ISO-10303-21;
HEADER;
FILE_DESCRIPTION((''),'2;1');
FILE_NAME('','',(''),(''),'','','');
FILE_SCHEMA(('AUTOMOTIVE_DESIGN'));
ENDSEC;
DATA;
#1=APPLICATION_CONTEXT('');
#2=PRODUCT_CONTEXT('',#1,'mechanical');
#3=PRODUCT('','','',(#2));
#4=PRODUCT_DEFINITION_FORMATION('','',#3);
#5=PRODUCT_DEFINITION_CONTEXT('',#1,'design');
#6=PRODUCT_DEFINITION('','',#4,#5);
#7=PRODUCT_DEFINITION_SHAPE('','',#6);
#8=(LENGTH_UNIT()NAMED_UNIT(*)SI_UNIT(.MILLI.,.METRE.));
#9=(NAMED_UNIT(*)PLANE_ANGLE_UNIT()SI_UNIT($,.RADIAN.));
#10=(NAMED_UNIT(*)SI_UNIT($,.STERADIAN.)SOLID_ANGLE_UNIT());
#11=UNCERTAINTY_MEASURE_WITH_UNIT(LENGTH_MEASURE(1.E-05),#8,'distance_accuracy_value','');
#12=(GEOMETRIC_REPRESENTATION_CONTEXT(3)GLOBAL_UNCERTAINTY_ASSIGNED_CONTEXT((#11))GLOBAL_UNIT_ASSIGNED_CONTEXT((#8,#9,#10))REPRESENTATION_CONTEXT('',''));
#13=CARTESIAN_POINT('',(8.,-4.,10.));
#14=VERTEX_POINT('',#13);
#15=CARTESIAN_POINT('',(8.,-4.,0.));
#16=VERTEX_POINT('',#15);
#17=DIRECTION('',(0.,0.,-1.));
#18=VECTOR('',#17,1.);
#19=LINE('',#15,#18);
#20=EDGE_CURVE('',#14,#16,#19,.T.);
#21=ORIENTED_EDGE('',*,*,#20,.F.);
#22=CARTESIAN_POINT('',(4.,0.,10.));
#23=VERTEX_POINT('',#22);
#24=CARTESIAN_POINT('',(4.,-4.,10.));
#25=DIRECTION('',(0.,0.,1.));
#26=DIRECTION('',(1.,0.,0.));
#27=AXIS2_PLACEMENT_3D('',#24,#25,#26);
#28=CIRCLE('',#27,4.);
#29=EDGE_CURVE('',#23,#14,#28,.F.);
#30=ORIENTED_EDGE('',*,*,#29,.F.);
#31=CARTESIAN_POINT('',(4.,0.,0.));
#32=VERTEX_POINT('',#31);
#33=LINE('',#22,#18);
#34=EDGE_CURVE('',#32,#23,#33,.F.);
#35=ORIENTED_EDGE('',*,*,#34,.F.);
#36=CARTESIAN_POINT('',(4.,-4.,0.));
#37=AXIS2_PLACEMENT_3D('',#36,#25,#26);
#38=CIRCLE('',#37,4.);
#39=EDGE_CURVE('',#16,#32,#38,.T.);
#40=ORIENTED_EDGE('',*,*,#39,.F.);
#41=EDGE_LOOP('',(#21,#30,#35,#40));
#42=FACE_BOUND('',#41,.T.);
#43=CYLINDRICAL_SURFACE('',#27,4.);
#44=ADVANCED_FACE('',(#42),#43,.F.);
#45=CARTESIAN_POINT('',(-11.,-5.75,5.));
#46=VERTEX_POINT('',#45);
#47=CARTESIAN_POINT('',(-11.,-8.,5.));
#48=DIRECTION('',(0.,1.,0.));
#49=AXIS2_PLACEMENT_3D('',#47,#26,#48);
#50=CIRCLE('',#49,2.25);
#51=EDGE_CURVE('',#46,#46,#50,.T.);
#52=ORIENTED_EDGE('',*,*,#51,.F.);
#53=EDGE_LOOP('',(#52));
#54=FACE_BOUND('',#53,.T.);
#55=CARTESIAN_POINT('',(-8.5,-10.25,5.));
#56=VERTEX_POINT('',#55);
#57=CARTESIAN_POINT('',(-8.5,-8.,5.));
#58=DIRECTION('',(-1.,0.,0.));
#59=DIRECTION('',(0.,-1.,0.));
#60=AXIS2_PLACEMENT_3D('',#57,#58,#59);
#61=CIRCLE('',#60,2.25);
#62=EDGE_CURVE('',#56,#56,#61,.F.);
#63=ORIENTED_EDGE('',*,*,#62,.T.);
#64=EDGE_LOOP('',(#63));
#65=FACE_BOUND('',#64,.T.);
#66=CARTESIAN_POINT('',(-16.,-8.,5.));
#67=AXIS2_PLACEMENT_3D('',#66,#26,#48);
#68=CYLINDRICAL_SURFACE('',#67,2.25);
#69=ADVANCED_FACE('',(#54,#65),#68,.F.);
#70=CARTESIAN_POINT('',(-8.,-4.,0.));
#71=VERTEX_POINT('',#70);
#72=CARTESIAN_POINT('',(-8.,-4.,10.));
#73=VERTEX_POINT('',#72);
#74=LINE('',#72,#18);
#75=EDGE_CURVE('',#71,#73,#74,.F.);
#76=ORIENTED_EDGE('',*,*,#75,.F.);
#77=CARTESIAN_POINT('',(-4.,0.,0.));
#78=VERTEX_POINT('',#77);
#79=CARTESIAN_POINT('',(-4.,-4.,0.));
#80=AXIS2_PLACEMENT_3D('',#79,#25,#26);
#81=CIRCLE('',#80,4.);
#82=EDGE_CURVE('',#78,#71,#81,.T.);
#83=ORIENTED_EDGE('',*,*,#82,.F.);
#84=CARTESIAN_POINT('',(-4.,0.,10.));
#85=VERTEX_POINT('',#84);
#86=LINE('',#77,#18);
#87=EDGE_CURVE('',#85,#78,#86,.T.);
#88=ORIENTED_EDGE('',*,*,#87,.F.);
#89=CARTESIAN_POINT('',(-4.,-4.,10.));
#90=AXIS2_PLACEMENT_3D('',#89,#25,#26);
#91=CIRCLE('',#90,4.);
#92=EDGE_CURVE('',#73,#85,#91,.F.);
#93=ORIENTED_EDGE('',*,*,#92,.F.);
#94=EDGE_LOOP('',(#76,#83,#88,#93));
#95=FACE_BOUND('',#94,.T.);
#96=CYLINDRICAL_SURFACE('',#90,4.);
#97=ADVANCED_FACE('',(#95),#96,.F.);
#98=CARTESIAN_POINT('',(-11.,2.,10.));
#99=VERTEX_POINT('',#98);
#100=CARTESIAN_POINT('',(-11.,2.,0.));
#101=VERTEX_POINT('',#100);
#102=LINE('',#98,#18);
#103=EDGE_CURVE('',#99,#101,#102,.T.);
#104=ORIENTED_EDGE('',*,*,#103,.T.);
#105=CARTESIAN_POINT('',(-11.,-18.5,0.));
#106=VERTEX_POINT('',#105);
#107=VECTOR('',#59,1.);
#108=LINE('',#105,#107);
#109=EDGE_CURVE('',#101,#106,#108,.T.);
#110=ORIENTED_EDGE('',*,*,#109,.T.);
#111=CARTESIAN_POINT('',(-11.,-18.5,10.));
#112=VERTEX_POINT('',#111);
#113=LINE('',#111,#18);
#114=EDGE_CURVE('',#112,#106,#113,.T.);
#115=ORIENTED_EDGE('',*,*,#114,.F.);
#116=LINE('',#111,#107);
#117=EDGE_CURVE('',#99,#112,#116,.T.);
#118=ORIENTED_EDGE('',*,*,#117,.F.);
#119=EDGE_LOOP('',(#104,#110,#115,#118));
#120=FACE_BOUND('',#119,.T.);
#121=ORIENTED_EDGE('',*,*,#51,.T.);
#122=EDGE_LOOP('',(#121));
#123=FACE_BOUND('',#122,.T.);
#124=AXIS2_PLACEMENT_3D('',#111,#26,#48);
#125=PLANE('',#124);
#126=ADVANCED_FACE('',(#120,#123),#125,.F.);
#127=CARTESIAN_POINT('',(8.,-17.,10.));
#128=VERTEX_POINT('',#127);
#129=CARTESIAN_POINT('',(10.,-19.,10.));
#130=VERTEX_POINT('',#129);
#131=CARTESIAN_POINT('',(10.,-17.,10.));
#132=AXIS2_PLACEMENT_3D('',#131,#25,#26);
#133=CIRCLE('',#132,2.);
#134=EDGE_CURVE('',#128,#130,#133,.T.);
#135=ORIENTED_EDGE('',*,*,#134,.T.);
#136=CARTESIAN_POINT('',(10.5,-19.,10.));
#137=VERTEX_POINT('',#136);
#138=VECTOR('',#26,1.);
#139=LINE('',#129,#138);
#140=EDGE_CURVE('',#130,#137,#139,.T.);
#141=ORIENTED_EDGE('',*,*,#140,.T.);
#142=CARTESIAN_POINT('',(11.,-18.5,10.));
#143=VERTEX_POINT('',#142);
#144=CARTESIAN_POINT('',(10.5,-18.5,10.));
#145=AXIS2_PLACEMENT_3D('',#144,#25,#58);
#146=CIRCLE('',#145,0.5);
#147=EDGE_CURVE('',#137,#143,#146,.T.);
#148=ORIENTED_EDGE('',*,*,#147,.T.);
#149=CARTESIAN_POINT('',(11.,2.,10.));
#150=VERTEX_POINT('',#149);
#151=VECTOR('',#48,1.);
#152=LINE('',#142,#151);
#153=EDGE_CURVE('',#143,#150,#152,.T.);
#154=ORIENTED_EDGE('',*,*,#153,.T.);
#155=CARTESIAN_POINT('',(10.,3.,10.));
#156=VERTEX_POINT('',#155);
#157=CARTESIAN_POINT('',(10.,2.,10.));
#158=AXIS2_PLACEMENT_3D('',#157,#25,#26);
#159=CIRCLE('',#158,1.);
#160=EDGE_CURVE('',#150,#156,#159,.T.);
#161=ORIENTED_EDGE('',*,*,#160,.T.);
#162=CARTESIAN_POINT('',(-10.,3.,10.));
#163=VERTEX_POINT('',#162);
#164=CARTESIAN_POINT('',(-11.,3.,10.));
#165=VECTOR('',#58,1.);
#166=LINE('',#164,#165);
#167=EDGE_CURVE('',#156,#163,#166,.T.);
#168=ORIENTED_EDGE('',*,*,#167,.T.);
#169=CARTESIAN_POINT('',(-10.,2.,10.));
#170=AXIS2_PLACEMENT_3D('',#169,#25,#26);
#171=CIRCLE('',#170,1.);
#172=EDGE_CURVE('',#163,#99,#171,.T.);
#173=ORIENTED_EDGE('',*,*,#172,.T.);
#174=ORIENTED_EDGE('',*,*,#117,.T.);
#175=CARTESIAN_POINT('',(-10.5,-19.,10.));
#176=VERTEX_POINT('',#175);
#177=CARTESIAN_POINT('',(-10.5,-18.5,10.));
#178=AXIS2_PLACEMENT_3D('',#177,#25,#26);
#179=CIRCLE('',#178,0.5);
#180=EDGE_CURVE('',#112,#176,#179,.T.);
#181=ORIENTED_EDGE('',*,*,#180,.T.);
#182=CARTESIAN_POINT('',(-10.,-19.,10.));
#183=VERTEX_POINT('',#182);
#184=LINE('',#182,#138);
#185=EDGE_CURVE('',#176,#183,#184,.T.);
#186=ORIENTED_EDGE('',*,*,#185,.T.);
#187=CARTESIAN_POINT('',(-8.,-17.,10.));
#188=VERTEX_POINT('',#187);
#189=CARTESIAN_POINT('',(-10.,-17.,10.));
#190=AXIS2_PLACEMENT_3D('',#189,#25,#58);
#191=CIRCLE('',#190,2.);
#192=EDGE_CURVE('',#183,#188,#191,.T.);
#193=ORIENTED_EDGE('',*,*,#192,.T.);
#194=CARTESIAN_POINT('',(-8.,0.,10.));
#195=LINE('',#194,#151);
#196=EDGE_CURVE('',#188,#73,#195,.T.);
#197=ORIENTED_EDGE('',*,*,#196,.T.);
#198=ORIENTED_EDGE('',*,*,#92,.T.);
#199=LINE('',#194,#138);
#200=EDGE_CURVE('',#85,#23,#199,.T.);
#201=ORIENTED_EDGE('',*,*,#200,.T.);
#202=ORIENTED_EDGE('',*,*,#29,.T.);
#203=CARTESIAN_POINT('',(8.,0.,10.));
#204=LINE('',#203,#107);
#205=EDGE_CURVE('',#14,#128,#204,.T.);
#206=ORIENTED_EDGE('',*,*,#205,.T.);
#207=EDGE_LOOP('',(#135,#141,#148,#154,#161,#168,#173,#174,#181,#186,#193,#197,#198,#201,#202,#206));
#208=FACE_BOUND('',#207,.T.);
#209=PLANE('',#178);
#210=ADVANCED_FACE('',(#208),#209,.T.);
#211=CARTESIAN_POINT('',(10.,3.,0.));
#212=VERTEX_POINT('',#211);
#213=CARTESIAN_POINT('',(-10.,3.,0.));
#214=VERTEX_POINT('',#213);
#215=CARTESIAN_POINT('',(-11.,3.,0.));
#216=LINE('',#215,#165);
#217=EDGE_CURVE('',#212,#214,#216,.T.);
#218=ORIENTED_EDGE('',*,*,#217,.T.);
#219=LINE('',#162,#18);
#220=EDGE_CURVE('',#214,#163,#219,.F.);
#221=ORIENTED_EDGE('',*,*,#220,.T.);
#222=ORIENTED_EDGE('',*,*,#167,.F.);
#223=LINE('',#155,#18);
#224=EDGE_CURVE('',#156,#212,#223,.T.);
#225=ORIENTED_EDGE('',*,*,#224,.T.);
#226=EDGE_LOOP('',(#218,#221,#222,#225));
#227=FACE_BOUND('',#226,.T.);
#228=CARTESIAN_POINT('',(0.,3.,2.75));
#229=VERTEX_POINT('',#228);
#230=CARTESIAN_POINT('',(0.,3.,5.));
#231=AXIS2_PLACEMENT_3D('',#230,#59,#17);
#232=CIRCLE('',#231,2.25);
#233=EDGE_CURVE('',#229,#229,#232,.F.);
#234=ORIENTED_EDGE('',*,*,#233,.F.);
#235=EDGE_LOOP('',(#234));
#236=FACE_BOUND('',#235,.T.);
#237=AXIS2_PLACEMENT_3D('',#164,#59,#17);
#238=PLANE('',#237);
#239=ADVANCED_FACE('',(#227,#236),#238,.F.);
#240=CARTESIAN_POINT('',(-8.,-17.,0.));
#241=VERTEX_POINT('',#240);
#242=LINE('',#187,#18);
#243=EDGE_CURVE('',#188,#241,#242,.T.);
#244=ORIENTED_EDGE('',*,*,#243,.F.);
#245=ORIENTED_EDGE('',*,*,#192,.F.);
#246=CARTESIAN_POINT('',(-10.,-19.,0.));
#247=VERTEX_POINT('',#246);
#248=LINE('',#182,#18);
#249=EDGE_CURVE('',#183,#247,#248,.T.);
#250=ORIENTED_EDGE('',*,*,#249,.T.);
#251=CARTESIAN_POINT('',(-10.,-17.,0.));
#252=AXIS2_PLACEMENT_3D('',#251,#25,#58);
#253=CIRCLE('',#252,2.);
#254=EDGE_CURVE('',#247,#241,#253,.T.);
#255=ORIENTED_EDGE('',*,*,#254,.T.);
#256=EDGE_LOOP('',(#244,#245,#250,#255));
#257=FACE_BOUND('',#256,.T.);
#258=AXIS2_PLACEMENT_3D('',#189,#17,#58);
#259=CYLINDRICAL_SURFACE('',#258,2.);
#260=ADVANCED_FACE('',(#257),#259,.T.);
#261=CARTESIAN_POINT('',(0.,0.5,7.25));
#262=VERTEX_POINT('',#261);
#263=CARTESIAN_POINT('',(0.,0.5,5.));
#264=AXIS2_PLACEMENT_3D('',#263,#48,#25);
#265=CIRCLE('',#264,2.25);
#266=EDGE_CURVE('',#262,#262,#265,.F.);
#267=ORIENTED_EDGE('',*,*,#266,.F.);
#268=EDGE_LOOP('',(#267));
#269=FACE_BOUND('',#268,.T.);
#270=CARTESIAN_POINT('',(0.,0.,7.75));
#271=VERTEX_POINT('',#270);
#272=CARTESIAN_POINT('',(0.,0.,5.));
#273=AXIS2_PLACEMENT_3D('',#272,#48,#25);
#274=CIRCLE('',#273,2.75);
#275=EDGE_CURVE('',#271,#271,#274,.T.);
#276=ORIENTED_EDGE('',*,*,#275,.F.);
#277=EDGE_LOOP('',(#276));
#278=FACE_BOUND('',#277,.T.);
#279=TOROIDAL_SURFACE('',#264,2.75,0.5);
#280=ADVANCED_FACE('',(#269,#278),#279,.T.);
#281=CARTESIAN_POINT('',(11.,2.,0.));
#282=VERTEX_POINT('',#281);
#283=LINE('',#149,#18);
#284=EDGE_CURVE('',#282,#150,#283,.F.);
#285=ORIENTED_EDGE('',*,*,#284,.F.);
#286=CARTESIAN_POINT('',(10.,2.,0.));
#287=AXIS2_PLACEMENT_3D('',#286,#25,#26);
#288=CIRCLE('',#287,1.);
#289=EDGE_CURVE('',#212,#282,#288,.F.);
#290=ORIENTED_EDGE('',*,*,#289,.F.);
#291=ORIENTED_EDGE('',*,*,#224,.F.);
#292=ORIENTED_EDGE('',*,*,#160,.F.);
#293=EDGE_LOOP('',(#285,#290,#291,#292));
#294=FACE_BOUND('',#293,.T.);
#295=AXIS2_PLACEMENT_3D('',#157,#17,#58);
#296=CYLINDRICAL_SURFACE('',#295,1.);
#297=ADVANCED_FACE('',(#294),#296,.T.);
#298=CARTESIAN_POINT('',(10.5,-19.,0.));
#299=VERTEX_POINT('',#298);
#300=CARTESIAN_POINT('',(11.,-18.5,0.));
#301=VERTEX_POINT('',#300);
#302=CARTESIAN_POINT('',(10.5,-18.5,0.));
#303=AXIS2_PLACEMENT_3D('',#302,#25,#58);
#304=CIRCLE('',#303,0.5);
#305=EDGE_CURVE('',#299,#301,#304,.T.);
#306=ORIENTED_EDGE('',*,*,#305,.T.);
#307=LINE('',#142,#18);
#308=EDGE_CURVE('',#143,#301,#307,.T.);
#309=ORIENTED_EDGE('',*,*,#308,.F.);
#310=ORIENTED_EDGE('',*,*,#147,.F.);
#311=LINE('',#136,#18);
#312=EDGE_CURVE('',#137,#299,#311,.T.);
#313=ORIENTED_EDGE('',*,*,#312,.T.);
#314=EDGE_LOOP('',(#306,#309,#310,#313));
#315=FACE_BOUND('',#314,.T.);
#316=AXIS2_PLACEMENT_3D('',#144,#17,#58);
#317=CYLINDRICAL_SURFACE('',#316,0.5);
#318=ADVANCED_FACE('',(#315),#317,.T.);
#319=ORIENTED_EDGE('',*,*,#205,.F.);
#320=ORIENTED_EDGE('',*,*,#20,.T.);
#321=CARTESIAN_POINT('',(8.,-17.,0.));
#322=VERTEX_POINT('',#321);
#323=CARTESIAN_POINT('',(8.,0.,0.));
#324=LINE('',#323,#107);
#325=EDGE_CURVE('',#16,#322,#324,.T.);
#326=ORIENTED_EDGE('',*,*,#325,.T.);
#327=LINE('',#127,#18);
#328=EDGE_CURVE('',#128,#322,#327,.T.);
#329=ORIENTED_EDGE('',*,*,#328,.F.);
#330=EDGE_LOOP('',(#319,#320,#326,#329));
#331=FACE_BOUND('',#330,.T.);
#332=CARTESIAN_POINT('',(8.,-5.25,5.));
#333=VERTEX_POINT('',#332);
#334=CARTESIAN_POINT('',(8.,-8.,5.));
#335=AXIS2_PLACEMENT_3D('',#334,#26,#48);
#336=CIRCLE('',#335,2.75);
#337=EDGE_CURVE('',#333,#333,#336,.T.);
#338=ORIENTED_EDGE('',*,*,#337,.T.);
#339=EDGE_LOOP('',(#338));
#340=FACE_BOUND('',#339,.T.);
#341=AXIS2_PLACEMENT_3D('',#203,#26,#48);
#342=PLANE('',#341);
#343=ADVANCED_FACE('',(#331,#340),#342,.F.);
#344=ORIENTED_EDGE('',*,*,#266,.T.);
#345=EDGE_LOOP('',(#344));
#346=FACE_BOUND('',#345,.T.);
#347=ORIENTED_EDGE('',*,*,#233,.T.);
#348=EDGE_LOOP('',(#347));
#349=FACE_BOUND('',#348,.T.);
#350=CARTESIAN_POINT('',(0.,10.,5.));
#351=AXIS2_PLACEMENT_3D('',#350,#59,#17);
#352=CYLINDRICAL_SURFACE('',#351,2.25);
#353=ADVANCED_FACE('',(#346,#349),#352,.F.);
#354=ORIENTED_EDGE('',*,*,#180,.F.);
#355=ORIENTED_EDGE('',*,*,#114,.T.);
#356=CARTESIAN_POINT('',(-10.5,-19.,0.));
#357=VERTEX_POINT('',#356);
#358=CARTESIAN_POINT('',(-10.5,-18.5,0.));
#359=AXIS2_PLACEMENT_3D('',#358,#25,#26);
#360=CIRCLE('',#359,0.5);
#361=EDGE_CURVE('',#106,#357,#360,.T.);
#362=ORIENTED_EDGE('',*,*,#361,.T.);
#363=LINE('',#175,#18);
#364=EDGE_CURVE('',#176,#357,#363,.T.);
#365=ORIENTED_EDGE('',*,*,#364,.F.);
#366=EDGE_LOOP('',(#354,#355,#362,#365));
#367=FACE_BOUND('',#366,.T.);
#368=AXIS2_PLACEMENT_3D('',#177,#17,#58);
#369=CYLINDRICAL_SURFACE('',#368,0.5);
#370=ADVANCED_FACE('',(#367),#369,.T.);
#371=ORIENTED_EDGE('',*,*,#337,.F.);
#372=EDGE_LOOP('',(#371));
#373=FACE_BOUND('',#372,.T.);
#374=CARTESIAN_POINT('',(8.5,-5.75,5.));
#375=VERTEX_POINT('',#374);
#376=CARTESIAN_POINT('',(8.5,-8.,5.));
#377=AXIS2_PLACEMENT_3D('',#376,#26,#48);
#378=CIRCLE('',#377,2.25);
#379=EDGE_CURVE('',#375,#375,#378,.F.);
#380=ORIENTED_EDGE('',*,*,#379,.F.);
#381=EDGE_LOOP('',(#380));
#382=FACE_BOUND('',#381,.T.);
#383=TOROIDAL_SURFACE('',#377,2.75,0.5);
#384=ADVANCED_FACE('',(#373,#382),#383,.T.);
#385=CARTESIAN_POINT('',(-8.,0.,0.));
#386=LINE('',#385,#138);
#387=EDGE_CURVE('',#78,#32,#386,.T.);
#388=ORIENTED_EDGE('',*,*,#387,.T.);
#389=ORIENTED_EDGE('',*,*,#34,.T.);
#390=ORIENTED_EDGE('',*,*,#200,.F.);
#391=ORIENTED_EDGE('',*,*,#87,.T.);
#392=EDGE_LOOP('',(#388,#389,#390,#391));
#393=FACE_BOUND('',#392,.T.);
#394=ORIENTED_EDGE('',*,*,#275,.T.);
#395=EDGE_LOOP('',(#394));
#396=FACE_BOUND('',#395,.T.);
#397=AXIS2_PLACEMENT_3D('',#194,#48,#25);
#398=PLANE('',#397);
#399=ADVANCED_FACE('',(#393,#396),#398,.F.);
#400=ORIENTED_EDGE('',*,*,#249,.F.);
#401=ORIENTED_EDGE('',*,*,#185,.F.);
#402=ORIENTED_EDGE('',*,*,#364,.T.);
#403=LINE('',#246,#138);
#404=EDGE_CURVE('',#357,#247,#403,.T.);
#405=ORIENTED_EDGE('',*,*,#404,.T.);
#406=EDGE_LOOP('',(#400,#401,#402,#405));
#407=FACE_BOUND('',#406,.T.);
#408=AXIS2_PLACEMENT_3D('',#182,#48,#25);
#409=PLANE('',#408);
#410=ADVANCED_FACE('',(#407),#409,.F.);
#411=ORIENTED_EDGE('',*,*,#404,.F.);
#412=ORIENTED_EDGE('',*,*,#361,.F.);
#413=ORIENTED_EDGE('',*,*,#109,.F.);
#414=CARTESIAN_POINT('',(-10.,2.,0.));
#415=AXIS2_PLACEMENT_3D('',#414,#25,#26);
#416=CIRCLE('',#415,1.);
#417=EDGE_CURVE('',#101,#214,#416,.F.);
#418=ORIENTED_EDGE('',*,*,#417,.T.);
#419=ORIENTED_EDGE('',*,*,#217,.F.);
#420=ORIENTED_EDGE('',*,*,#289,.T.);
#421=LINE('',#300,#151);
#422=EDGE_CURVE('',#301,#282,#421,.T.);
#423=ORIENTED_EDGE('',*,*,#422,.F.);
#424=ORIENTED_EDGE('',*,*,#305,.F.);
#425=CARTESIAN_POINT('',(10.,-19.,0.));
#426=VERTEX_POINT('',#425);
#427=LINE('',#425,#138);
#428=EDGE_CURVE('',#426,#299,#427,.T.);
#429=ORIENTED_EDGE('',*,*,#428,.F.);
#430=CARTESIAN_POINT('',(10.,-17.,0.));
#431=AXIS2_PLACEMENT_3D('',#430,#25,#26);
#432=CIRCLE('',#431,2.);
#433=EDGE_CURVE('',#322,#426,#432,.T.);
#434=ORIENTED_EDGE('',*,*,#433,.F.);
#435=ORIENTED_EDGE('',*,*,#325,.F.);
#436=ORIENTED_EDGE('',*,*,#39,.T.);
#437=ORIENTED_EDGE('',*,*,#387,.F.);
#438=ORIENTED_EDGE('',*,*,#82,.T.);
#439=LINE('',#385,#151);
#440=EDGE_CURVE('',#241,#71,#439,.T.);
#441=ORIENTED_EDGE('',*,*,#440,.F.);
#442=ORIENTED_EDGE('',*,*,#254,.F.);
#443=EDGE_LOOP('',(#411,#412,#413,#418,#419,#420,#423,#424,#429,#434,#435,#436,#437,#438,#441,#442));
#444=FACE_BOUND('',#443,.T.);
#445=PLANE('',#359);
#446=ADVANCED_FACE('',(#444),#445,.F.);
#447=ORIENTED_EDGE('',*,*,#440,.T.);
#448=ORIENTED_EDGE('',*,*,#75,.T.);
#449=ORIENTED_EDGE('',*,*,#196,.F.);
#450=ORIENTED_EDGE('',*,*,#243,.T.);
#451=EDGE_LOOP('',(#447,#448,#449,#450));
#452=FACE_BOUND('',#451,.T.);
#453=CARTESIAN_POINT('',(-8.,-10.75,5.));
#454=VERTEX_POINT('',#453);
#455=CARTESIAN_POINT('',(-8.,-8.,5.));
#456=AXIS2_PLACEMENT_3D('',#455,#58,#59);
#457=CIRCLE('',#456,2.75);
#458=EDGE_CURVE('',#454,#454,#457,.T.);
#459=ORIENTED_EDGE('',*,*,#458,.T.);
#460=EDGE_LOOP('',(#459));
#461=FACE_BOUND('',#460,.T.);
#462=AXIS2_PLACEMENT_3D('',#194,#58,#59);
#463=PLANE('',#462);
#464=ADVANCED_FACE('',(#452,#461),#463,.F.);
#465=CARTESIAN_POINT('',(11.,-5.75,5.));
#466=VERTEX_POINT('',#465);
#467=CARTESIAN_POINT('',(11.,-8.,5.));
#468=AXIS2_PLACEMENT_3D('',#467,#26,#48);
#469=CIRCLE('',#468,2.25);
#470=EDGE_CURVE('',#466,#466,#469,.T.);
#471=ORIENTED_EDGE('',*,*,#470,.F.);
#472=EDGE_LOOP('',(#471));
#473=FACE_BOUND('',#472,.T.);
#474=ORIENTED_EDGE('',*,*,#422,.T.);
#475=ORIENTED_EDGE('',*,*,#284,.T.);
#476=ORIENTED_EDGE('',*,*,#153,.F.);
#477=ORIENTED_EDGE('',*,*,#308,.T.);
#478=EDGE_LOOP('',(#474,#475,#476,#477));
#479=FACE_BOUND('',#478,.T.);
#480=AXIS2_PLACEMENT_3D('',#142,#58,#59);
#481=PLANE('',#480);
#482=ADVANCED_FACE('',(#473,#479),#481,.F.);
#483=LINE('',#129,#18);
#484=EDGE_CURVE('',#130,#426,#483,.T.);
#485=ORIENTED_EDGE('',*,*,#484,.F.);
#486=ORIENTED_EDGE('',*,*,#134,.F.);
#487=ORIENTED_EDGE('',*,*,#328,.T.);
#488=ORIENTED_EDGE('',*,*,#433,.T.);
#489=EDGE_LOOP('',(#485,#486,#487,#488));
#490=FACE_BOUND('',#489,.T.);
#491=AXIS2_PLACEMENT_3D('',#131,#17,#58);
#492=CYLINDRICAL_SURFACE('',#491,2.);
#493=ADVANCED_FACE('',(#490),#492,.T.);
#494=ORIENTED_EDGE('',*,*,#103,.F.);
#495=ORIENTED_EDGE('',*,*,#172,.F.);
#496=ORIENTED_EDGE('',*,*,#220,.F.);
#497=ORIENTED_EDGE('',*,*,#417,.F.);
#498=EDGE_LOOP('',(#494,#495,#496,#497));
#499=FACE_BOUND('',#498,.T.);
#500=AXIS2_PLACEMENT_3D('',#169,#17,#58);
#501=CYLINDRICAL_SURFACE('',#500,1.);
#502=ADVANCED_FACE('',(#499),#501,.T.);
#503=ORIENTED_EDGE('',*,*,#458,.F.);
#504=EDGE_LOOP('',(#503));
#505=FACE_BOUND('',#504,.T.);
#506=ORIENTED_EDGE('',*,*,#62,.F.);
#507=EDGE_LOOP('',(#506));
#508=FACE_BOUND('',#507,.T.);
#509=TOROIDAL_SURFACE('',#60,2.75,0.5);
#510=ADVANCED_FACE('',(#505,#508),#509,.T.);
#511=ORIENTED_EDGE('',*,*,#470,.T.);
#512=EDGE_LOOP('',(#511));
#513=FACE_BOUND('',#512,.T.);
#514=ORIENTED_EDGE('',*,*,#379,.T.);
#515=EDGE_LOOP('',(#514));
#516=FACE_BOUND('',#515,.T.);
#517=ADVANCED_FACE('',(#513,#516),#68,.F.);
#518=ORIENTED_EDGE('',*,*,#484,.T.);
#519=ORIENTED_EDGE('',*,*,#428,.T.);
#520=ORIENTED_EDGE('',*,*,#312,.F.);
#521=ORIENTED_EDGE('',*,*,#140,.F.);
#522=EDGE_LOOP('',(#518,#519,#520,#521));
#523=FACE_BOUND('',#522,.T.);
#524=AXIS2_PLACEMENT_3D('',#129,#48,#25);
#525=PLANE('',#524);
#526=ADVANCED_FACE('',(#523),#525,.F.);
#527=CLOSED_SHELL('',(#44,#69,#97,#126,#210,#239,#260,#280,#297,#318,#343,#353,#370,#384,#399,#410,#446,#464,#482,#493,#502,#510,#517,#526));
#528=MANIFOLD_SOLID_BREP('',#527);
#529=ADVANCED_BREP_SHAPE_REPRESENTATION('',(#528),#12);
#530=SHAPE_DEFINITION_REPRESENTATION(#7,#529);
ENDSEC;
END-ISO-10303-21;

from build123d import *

# Parameters (mm, degrees)
EXTRUDE_1_DEPTH     = 10
SKETCH_4_R          = 2.25
CUT_EXTRUDE_1_DEPTH = 10
SKETCH_2_R          = 2.25
CUT_EXTRUDE_2_DEPTH = 27
FILLET_2_R          = 0.5
FILLET_3_R          = 1
FILLET_4_R          = 4


with BuildPart() as part:
    # 草图1 → 凸台-拉伸1 (new body)
    with BuildSketch(Plane.XY):
        with BuildLine():
            Line((-8, 0), (-8, -17))
            ThreePointArc((-8, -17), (-8.585786438, -18.414213562), (-10, -19))
            Line((-10, -19), (-10.5, -19))
            ThreePointArc((-10.5, -19), (-10.853553391, -18.853553391), (-11, -18.5))
            Line((-11, -18.5), (-11, 3))
            Line((-11, 3), (11, 3))
            Line((11, 3), (11, -18.5))
            ThreePointArc((11, -18.5), (10.853553391, -18.853553391), (10.5, -19))
            Line((10.5, -19), (10, -19))
            ThreePointArc((10, -19), (8.585786438, -18.414213562), (8, -17))
            Line((8, -17), (8, 0))
            Line((8, 0), (-8, 0))
        make_face()
    extrude(amount=EXTRUDE_1_DEPTH)

    # 草图4 → 切除-拉伸1 (cut)
    with BuildSketch(Plane(origin=(0, 0, 0), x_dir=(1, 0, 0), z_dir=(0, 1, 0))):
        with Locations((0, -5)):
            Circle(SKETCH_4_R)
    extrude(amount=CUT_EXTRUDE_1_DEPTH, mode=Mode.SUBTRACT)

    # 草图2 → 切除-拉伸2 (cut)
    with BuildSketch(Plane(origin=(11, 0, 0), x_dir=(0, 0, -1), z_dir=(1, 0, 0))):
        with Locations((-5, -8)):
            Circle(SKETCH_2_R)
    extrude(amount=-CUT_EXTRUDE_2_DEPTH, mode=Mode.SUBTRACT)

    # 圆角2
    fillet_2_edges = [part.edges().sort_by_distance(p)[0] for p in [
        (-2.25, 0, 5),
        (-8, -8, 7.25),
        (8, -8, 7.25),
    ]]
    fillet(fillet_2_edges, radius=FILLET_2_R)

    # 圆角3
    fillet_3_edges = [part.edges().sort_by_distance(p)[0] for p in [
        (-11, 3, 5),
        (11, 3, 5),
    ]]
    fillet(fillet_3_edges, radius=FILLET_3_R)

    # 圆角4
    fillet_4_edges = [part.edges().sort_by_distance(p)[0] for p in [
        (8, 0, 5),
        (-8, 0, 5),
    ]]
    fillet(fillet_4_edges, radius=FILLET_4_R)


solid = part.part
